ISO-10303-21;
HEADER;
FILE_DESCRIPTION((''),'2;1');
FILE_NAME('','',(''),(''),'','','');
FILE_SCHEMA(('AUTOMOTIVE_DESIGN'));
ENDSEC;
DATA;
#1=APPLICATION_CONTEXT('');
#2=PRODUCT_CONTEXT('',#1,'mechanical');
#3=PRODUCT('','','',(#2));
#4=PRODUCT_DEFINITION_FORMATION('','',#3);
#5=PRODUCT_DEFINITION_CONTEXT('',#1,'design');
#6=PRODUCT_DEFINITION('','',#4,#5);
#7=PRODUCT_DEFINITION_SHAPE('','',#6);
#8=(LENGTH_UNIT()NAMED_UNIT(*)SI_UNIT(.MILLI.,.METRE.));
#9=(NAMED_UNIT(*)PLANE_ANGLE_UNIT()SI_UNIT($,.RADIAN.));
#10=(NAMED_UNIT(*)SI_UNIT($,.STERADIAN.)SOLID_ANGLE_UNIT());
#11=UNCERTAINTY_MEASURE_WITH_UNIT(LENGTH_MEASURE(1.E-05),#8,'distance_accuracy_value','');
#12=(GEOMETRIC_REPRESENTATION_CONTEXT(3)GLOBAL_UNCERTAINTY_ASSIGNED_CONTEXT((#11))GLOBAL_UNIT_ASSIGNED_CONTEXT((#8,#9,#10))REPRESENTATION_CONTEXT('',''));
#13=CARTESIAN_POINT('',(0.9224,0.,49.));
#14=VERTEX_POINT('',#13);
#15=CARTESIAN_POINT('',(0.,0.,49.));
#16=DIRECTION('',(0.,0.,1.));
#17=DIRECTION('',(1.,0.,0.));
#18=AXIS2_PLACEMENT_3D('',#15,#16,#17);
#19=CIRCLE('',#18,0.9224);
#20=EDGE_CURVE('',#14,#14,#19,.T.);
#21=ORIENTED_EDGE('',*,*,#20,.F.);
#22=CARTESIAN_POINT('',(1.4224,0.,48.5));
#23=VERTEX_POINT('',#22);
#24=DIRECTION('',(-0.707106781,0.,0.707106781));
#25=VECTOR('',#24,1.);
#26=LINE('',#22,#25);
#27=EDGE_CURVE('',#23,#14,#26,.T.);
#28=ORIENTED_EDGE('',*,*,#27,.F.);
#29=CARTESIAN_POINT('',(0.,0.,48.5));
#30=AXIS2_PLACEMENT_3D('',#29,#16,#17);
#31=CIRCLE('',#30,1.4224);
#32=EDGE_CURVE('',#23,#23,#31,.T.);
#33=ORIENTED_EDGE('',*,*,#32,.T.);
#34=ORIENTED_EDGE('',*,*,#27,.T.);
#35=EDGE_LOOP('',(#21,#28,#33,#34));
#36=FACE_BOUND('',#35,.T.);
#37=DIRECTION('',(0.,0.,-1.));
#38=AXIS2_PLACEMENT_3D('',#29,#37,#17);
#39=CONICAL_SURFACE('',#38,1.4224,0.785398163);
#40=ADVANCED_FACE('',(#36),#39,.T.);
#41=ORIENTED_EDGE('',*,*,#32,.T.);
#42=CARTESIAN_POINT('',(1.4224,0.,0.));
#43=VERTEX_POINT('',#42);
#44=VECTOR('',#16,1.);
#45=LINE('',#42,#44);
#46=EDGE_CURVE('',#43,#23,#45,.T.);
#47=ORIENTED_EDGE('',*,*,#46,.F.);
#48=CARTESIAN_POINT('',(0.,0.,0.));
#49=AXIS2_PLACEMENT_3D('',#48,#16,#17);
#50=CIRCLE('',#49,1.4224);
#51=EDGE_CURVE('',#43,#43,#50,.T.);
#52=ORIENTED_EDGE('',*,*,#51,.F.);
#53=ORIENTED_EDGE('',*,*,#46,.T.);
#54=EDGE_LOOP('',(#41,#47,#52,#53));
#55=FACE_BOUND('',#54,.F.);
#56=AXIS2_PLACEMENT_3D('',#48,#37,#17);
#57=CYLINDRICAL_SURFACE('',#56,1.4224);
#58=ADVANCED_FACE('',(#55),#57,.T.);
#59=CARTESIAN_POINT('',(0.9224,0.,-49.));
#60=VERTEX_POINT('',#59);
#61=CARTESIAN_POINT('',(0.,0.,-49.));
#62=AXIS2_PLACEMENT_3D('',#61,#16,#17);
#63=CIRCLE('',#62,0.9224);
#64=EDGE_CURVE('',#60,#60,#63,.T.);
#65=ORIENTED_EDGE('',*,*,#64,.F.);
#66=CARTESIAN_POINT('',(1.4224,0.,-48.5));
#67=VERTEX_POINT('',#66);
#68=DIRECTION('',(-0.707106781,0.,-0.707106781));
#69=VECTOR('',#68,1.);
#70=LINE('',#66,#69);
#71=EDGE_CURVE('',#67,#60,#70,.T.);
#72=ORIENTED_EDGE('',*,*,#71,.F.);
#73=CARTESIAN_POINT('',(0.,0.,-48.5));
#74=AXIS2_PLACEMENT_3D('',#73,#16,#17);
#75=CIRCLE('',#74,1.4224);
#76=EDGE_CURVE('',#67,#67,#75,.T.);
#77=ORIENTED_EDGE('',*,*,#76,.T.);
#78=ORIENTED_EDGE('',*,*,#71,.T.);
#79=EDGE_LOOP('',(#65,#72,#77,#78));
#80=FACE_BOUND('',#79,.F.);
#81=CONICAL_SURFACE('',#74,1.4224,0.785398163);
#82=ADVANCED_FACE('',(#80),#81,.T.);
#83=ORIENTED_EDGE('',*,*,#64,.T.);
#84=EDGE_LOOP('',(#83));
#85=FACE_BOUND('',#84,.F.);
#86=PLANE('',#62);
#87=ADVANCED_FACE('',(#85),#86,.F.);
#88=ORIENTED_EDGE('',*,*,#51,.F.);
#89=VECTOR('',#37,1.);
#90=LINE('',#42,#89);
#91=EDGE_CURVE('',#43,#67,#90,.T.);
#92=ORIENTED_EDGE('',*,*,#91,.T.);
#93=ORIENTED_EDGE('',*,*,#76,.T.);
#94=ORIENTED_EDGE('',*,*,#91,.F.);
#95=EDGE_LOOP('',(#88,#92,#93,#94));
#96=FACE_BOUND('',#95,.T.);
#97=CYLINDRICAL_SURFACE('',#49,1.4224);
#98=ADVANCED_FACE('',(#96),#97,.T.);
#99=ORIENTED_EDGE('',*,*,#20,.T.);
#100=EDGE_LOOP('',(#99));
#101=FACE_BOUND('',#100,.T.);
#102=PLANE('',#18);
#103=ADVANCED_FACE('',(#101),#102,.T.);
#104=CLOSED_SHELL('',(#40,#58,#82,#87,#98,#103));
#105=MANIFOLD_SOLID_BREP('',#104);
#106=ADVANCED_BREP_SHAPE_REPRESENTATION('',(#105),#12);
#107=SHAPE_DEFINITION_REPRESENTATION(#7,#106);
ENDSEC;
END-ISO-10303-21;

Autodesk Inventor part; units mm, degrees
ref_plane "YZ Plane" through (0, 0, 0) normal (1, 0, 0) x (0, 1, 0)
ref_plane "XZ Plane" through (0, 0, 0) normal (0, 1, 0) x (-1, 0, 0)
ref_plane "XY Plane" through (0, 0, 0) normal (0, 0, 1) x (1, 0, 0)
sketch "Sketch1" plane through (0, 0, 0) normal (0, 0, 1) x (1, 0, 0)
  circle A0 centre (0, 0) radius 1.4224
  dimension "d0" = 2.8448
extrude "Extrusion1" add sketch "Sketch1" along normal mid plane 98
chamfer "Chamfer1" distance 0.5 angle 45 2 edges at (-1.4224, 0, 49) (-1.4224, 0, -49)
properties part number "FOX-ME-123" material "Stainless Steel"
